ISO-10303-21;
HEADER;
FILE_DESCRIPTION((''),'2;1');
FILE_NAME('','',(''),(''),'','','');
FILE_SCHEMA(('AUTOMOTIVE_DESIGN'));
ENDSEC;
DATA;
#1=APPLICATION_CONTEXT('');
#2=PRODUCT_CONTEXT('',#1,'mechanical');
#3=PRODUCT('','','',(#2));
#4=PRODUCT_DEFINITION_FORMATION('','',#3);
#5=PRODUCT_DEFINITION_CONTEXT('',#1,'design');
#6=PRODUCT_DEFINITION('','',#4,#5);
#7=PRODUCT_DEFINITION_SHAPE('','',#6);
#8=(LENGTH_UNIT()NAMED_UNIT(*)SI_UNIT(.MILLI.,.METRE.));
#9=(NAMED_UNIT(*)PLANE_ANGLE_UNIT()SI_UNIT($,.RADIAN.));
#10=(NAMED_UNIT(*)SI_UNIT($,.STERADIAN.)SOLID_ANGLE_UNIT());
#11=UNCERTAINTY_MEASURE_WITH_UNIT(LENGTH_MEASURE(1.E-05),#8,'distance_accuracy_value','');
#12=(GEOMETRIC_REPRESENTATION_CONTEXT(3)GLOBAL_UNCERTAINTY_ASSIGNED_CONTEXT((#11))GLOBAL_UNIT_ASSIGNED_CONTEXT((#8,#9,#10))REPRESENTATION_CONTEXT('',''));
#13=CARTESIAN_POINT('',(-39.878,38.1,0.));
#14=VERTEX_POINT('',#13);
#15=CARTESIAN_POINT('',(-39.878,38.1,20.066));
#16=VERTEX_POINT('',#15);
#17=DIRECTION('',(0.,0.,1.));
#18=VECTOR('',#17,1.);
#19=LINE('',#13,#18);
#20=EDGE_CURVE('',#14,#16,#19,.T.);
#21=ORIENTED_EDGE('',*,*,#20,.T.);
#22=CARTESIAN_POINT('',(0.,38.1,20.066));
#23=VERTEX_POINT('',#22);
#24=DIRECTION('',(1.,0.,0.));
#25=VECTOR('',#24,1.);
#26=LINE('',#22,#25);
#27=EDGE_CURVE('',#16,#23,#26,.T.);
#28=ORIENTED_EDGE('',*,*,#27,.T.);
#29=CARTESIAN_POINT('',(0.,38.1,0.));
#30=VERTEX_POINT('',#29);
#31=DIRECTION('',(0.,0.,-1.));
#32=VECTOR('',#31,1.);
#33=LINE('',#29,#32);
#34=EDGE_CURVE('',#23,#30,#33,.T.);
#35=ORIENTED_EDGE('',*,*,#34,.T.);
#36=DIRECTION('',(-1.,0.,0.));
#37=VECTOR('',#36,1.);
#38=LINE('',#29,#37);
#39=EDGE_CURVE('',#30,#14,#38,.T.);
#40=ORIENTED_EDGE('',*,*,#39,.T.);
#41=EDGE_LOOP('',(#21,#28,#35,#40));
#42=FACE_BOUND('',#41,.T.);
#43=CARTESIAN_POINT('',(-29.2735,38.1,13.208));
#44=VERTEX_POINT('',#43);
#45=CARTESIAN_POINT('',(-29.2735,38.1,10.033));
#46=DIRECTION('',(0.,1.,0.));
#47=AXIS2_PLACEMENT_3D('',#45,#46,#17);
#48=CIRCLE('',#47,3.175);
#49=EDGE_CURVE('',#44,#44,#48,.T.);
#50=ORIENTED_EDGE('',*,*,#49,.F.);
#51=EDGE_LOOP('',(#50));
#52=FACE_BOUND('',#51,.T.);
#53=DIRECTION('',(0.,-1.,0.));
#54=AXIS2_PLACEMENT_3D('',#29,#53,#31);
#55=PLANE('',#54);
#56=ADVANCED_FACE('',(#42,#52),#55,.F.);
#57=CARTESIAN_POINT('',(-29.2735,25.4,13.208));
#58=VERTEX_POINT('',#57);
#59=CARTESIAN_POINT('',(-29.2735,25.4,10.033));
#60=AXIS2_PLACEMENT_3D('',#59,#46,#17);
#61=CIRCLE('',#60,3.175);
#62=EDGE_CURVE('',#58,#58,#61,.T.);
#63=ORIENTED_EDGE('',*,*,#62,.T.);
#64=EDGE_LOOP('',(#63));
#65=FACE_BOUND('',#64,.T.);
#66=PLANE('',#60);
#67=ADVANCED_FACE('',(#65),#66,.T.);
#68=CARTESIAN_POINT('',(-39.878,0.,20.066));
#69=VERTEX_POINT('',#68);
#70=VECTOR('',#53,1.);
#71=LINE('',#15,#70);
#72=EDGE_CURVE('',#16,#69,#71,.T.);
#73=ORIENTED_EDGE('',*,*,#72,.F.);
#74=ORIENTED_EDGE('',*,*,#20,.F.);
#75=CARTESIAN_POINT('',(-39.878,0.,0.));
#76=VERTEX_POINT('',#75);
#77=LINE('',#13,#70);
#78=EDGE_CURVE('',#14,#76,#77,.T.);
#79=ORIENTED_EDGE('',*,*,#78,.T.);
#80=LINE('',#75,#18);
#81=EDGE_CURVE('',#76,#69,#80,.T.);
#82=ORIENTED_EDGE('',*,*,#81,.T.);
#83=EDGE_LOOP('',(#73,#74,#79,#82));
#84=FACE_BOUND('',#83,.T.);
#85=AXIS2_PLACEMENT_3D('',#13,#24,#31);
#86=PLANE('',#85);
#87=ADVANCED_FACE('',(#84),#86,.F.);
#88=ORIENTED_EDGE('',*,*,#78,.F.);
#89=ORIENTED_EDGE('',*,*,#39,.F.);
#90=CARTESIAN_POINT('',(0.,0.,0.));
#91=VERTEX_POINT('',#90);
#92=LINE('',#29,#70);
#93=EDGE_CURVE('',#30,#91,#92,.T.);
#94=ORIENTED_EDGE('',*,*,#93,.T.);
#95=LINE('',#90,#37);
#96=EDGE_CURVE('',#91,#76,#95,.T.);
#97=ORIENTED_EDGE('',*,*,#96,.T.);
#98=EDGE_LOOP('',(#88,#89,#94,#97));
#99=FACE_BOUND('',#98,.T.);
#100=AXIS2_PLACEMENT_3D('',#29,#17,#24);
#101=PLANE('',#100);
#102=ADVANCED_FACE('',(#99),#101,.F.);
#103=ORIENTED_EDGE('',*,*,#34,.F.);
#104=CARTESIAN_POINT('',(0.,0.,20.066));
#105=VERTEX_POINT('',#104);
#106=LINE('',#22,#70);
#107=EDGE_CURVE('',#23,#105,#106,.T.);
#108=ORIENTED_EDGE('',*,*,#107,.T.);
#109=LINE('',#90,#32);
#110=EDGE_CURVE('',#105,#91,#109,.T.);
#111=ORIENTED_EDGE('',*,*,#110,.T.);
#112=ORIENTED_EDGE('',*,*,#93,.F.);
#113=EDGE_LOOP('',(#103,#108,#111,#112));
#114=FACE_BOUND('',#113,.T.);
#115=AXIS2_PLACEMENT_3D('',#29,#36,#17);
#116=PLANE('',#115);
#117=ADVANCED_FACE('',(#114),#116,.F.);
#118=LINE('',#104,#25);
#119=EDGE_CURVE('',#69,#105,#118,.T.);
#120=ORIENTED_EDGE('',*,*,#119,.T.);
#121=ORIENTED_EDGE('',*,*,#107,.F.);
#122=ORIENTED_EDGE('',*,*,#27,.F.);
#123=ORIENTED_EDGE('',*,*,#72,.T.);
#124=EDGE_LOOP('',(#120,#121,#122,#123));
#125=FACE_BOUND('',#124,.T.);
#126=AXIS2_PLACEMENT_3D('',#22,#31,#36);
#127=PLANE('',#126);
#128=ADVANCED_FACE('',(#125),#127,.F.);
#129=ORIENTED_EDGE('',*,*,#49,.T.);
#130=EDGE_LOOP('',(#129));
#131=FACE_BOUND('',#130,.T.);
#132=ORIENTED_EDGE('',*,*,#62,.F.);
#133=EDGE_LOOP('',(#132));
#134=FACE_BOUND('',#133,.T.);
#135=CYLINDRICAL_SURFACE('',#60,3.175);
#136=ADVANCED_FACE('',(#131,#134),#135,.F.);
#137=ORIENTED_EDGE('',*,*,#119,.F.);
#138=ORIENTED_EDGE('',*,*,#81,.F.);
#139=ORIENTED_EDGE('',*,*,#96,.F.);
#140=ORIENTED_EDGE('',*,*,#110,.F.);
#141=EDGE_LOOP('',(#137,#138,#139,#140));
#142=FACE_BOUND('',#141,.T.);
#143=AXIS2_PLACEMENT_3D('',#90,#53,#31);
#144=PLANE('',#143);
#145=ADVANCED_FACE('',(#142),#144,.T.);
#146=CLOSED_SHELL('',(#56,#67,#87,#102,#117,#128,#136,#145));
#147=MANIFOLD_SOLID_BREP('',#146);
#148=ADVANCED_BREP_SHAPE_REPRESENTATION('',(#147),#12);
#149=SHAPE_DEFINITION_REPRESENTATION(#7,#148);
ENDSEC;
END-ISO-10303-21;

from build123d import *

# Parameters (mm, degrees)
SKETCH1_W           = 39.878
SKETCH1_H           = 20.066
BOSS_EXTRUDE1_DEPTH = 38.1
SKETCH2_R           = 3.175
CUT_EXTRUDE1_DEPTH  = 12.7


with BuildPart() as part:
    # Sketch1 → Boss-Extrude1 (new body)
    with BuildSketch(Plane(origin=(0, 0, 0), x_dir=(1, 0, 0), z_dir=(0, 1, 0))):
        with Locations((-19.939, -10.033)):
            Rectangle(SKETCH1_W, SKETCH1_H)
    extrude(amount=BOSS_EXTRUDE1_DEPTH)

    # Sketch2 → Cut-Extrude1 (cut)
    with BuildSketch(Plane(origin=(0, 38.1, 0), x_dir=(1, 0, 0), z_dir=(0, 1, 0))):
        with Locations(Location((-29.2735, -10.033, 0), (0, 0, 270))):
            Circle(SKETCH2_R)
    extrude(amount=-CUT_EXTRUDE1_DEPTH, mode=Mode.SUBTRACT)


solid = part.part
